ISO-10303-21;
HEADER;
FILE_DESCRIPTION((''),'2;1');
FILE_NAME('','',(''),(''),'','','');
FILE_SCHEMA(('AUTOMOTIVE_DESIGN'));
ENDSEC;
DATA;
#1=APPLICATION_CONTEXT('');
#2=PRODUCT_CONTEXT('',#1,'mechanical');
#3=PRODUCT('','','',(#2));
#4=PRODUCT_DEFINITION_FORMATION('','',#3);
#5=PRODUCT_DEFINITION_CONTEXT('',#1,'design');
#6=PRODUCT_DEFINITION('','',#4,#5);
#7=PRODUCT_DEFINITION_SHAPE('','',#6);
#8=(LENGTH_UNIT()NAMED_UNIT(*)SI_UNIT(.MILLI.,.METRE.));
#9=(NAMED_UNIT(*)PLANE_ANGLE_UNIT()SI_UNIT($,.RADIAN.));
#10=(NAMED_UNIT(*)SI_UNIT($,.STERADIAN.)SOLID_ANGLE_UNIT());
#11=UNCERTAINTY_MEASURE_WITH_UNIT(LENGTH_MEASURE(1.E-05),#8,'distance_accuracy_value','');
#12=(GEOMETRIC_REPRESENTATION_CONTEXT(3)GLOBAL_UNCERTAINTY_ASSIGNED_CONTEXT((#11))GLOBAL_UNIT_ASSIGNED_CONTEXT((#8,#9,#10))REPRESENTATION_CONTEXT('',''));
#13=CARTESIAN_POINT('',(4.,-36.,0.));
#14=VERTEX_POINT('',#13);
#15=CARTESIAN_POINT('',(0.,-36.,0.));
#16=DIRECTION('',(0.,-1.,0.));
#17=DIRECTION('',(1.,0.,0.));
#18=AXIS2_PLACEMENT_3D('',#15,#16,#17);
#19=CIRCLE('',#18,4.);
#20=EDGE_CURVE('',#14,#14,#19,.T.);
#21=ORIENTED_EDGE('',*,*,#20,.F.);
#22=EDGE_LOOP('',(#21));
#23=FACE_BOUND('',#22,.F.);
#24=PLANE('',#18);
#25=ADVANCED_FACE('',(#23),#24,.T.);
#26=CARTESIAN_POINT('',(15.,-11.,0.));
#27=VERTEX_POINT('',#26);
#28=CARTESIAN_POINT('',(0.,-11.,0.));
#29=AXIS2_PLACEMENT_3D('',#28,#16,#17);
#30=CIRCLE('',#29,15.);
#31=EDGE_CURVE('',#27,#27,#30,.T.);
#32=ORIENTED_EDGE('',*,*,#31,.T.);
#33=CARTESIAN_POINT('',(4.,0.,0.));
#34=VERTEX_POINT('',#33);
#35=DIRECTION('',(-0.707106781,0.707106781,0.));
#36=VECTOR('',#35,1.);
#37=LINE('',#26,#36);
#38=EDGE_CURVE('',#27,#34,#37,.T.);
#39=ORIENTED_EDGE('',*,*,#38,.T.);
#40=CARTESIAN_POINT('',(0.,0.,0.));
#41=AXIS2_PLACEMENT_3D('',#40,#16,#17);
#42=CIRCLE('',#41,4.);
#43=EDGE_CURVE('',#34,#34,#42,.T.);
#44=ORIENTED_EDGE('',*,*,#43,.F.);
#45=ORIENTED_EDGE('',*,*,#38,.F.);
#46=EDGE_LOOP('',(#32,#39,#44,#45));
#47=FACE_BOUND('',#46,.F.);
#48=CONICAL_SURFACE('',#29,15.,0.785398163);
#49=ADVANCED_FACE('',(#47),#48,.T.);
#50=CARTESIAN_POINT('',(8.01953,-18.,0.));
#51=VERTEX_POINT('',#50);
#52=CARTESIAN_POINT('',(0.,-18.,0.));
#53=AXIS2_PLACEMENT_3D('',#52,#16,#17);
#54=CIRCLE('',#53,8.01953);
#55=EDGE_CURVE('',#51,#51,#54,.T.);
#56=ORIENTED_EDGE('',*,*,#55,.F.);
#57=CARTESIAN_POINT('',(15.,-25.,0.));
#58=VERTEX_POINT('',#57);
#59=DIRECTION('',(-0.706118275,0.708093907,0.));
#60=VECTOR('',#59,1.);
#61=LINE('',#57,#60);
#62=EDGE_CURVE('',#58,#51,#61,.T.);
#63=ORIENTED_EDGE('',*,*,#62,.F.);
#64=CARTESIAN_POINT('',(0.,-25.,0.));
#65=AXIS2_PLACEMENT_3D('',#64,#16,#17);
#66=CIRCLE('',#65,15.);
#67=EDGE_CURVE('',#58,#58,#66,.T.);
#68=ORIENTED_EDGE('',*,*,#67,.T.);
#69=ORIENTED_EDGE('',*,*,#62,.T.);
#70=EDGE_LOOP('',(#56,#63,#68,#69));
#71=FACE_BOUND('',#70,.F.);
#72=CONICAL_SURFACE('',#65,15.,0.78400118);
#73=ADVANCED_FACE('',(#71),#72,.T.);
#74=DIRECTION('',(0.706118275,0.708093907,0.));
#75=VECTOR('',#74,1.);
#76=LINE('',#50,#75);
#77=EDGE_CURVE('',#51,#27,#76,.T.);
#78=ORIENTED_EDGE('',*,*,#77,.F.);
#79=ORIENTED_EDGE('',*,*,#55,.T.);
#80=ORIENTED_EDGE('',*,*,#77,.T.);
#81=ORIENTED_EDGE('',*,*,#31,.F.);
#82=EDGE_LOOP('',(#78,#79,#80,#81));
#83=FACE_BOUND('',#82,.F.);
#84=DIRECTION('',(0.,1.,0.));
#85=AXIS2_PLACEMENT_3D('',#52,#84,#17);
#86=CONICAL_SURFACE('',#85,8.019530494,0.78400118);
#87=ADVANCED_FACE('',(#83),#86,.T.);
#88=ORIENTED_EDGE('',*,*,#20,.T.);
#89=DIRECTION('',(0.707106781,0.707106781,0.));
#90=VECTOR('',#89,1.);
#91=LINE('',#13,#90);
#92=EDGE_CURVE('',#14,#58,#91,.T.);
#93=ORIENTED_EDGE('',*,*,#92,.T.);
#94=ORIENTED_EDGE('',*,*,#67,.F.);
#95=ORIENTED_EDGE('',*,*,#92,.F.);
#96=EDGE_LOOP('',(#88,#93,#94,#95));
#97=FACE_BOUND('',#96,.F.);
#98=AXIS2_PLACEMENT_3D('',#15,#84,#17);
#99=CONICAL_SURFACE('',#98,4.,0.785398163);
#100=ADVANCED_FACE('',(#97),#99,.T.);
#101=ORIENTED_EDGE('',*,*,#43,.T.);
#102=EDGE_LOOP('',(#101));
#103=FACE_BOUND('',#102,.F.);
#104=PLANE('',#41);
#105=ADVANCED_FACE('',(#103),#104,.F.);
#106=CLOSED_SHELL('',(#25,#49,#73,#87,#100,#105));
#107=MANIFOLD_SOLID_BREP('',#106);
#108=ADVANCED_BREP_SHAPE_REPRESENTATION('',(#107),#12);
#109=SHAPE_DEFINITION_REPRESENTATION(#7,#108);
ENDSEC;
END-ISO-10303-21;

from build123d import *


with BuildPart() as f1:
    # F0 (on Top) → F1 (revolve)
    with BuildSketch(Plane.XY):
        Polygon((4, 0), (0, 0), (0, -36), (4, -36), (15, -25), (8.0195304944, -18), (15, -11), align=None)
        Polygon((4, -32), (4, -18.1), (11, -25), align=None, mode=Mode.SUBTRACT)
        Polygon((4, -17.9), (4, -4), (11, -11), align=None, mode=Mode.SUBTRACT)
        Polygon((11, -11), (4, -4), (4, -17.9), align=None)
        Polygon((11, -25), (4, -18.1), (4, -32), align=None)
    revolve(axis=Axis((0, -18, 0), (0, -1, 0)))


solid = f1.part
